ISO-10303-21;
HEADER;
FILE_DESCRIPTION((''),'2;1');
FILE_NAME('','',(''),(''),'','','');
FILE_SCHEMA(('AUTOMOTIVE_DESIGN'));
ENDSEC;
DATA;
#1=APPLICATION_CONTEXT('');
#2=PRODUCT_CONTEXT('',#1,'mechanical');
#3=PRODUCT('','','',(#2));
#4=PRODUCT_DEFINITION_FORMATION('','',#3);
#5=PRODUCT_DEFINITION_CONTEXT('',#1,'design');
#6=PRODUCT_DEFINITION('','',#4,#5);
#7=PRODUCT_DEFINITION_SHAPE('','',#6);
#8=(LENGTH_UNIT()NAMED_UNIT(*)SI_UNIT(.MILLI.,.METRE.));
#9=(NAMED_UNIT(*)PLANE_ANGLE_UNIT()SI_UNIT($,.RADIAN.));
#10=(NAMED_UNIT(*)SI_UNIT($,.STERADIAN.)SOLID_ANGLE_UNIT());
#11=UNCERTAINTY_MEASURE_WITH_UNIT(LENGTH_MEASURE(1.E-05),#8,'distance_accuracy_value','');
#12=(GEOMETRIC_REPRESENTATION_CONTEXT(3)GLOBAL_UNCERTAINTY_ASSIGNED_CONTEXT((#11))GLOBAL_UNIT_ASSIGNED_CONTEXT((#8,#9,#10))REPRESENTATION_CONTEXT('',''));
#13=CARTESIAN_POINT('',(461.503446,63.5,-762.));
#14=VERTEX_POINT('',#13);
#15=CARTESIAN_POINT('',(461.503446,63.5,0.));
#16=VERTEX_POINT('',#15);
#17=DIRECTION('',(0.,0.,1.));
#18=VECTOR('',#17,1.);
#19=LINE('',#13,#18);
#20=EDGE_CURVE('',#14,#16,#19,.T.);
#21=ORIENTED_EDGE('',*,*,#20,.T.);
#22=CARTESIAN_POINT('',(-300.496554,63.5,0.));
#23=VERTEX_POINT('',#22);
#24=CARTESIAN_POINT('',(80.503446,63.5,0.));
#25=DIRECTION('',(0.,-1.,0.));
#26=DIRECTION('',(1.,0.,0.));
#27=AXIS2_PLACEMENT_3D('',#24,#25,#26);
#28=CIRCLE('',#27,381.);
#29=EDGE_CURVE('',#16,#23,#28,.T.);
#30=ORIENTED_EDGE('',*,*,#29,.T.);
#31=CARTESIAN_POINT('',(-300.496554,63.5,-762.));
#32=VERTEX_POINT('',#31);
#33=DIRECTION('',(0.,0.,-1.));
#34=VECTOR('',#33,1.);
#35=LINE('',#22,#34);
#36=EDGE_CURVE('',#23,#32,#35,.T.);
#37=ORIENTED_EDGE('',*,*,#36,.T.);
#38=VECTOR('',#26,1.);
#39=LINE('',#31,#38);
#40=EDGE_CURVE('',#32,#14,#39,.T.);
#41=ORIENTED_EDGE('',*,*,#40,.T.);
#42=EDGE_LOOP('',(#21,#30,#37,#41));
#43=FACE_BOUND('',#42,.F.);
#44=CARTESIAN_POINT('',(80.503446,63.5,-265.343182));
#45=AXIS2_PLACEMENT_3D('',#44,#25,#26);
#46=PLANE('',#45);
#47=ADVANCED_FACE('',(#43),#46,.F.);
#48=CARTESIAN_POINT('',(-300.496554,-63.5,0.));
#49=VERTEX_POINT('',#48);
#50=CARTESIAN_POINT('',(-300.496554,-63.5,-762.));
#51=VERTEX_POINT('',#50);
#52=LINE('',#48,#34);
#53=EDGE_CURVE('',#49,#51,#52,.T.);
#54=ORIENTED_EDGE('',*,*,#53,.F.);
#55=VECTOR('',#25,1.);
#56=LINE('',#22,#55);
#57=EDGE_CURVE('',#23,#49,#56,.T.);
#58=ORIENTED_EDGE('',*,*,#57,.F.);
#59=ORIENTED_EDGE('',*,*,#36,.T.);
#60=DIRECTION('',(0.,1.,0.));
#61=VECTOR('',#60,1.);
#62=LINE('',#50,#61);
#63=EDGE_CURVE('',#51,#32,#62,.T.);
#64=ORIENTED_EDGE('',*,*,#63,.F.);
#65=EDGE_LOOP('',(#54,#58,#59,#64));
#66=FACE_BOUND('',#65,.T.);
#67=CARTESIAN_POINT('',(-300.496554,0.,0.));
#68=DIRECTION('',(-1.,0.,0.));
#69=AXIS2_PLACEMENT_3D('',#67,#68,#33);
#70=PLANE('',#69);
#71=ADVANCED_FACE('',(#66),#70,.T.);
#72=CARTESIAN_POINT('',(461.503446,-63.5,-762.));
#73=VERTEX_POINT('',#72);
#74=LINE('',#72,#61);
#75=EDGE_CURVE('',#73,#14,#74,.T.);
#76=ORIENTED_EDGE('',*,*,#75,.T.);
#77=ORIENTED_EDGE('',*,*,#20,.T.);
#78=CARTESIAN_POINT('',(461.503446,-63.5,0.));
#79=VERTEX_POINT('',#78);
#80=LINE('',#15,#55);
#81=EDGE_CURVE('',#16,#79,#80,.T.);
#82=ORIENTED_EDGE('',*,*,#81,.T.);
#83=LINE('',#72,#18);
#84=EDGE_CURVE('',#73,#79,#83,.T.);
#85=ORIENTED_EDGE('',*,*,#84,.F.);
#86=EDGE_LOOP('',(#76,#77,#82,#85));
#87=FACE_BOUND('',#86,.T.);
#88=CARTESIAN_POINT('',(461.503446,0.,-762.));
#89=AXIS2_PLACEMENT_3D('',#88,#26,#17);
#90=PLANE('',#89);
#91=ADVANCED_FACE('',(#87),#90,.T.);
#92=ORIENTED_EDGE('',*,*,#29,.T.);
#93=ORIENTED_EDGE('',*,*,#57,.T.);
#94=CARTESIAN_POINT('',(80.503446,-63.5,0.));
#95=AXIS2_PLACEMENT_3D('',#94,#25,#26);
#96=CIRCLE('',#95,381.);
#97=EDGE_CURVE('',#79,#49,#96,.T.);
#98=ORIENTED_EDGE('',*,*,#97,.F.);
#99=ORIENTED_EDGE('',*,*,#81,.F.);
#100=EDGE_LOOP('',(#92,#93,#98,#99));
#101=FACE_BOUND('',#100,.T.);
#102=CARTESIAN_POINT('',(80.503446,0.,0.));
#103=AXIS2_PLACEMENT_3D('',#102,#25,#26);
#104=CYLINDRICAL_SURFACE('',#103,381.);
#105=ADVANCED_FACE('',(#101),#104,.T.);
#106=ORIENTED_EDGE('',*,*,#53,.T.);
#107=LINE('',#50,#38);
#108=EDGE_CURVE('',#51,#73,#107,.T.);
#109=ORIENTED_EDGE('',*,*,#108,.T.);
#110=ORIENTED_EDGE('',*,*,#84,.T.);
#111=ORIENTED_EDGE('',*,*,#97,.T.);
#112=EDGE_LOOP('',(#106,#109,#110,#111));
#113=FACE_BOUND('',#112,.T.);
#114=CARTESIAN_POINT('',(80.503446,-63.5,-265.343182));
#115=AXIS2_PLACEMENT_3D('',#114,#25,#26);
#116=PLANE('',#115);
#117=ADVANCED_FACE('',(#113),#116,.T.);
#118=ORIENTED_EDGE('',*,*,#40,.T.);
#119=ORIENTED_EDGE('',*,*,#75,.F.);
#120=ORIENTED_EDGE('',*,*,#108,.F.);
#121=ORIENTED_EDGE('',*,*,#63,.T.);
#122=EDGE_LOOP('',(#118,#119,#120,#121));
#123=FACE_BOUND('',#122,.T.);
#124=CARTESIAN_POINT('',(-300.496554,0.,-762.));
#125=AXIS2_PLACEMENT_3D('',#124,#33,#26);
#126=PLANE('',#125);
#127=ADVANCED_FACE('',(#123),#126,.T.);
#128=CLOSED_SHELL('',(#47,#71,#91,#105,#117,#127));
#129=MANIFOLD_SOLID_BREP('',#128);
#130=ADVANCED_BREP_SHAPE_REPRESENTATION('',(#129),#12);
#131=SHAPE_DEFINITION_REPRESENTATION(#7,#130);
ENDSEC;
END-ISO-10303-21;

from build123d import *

# Parameters (mm, degrees)
F1_DEPTH = 63.5


with BuildPart() as f1:
    # F0 (on Front) → F1 (new body, symmetric)
    with BuildSketch(Plane.XZ):
        with BuildLine():
            Line((461.503446, -762), (461.503446, 0))
            ThreePointArc((461.503446, 0), (80.503446, 381), (-300.496554, 0))
            Line((-300.496554, 0), (-300.496554, -762))
            Line((-300.496554, -762), (461.503446, -762))
        make_face()
    extrude(amount=F1_DEPTH, both=True)


solid = f1.part
